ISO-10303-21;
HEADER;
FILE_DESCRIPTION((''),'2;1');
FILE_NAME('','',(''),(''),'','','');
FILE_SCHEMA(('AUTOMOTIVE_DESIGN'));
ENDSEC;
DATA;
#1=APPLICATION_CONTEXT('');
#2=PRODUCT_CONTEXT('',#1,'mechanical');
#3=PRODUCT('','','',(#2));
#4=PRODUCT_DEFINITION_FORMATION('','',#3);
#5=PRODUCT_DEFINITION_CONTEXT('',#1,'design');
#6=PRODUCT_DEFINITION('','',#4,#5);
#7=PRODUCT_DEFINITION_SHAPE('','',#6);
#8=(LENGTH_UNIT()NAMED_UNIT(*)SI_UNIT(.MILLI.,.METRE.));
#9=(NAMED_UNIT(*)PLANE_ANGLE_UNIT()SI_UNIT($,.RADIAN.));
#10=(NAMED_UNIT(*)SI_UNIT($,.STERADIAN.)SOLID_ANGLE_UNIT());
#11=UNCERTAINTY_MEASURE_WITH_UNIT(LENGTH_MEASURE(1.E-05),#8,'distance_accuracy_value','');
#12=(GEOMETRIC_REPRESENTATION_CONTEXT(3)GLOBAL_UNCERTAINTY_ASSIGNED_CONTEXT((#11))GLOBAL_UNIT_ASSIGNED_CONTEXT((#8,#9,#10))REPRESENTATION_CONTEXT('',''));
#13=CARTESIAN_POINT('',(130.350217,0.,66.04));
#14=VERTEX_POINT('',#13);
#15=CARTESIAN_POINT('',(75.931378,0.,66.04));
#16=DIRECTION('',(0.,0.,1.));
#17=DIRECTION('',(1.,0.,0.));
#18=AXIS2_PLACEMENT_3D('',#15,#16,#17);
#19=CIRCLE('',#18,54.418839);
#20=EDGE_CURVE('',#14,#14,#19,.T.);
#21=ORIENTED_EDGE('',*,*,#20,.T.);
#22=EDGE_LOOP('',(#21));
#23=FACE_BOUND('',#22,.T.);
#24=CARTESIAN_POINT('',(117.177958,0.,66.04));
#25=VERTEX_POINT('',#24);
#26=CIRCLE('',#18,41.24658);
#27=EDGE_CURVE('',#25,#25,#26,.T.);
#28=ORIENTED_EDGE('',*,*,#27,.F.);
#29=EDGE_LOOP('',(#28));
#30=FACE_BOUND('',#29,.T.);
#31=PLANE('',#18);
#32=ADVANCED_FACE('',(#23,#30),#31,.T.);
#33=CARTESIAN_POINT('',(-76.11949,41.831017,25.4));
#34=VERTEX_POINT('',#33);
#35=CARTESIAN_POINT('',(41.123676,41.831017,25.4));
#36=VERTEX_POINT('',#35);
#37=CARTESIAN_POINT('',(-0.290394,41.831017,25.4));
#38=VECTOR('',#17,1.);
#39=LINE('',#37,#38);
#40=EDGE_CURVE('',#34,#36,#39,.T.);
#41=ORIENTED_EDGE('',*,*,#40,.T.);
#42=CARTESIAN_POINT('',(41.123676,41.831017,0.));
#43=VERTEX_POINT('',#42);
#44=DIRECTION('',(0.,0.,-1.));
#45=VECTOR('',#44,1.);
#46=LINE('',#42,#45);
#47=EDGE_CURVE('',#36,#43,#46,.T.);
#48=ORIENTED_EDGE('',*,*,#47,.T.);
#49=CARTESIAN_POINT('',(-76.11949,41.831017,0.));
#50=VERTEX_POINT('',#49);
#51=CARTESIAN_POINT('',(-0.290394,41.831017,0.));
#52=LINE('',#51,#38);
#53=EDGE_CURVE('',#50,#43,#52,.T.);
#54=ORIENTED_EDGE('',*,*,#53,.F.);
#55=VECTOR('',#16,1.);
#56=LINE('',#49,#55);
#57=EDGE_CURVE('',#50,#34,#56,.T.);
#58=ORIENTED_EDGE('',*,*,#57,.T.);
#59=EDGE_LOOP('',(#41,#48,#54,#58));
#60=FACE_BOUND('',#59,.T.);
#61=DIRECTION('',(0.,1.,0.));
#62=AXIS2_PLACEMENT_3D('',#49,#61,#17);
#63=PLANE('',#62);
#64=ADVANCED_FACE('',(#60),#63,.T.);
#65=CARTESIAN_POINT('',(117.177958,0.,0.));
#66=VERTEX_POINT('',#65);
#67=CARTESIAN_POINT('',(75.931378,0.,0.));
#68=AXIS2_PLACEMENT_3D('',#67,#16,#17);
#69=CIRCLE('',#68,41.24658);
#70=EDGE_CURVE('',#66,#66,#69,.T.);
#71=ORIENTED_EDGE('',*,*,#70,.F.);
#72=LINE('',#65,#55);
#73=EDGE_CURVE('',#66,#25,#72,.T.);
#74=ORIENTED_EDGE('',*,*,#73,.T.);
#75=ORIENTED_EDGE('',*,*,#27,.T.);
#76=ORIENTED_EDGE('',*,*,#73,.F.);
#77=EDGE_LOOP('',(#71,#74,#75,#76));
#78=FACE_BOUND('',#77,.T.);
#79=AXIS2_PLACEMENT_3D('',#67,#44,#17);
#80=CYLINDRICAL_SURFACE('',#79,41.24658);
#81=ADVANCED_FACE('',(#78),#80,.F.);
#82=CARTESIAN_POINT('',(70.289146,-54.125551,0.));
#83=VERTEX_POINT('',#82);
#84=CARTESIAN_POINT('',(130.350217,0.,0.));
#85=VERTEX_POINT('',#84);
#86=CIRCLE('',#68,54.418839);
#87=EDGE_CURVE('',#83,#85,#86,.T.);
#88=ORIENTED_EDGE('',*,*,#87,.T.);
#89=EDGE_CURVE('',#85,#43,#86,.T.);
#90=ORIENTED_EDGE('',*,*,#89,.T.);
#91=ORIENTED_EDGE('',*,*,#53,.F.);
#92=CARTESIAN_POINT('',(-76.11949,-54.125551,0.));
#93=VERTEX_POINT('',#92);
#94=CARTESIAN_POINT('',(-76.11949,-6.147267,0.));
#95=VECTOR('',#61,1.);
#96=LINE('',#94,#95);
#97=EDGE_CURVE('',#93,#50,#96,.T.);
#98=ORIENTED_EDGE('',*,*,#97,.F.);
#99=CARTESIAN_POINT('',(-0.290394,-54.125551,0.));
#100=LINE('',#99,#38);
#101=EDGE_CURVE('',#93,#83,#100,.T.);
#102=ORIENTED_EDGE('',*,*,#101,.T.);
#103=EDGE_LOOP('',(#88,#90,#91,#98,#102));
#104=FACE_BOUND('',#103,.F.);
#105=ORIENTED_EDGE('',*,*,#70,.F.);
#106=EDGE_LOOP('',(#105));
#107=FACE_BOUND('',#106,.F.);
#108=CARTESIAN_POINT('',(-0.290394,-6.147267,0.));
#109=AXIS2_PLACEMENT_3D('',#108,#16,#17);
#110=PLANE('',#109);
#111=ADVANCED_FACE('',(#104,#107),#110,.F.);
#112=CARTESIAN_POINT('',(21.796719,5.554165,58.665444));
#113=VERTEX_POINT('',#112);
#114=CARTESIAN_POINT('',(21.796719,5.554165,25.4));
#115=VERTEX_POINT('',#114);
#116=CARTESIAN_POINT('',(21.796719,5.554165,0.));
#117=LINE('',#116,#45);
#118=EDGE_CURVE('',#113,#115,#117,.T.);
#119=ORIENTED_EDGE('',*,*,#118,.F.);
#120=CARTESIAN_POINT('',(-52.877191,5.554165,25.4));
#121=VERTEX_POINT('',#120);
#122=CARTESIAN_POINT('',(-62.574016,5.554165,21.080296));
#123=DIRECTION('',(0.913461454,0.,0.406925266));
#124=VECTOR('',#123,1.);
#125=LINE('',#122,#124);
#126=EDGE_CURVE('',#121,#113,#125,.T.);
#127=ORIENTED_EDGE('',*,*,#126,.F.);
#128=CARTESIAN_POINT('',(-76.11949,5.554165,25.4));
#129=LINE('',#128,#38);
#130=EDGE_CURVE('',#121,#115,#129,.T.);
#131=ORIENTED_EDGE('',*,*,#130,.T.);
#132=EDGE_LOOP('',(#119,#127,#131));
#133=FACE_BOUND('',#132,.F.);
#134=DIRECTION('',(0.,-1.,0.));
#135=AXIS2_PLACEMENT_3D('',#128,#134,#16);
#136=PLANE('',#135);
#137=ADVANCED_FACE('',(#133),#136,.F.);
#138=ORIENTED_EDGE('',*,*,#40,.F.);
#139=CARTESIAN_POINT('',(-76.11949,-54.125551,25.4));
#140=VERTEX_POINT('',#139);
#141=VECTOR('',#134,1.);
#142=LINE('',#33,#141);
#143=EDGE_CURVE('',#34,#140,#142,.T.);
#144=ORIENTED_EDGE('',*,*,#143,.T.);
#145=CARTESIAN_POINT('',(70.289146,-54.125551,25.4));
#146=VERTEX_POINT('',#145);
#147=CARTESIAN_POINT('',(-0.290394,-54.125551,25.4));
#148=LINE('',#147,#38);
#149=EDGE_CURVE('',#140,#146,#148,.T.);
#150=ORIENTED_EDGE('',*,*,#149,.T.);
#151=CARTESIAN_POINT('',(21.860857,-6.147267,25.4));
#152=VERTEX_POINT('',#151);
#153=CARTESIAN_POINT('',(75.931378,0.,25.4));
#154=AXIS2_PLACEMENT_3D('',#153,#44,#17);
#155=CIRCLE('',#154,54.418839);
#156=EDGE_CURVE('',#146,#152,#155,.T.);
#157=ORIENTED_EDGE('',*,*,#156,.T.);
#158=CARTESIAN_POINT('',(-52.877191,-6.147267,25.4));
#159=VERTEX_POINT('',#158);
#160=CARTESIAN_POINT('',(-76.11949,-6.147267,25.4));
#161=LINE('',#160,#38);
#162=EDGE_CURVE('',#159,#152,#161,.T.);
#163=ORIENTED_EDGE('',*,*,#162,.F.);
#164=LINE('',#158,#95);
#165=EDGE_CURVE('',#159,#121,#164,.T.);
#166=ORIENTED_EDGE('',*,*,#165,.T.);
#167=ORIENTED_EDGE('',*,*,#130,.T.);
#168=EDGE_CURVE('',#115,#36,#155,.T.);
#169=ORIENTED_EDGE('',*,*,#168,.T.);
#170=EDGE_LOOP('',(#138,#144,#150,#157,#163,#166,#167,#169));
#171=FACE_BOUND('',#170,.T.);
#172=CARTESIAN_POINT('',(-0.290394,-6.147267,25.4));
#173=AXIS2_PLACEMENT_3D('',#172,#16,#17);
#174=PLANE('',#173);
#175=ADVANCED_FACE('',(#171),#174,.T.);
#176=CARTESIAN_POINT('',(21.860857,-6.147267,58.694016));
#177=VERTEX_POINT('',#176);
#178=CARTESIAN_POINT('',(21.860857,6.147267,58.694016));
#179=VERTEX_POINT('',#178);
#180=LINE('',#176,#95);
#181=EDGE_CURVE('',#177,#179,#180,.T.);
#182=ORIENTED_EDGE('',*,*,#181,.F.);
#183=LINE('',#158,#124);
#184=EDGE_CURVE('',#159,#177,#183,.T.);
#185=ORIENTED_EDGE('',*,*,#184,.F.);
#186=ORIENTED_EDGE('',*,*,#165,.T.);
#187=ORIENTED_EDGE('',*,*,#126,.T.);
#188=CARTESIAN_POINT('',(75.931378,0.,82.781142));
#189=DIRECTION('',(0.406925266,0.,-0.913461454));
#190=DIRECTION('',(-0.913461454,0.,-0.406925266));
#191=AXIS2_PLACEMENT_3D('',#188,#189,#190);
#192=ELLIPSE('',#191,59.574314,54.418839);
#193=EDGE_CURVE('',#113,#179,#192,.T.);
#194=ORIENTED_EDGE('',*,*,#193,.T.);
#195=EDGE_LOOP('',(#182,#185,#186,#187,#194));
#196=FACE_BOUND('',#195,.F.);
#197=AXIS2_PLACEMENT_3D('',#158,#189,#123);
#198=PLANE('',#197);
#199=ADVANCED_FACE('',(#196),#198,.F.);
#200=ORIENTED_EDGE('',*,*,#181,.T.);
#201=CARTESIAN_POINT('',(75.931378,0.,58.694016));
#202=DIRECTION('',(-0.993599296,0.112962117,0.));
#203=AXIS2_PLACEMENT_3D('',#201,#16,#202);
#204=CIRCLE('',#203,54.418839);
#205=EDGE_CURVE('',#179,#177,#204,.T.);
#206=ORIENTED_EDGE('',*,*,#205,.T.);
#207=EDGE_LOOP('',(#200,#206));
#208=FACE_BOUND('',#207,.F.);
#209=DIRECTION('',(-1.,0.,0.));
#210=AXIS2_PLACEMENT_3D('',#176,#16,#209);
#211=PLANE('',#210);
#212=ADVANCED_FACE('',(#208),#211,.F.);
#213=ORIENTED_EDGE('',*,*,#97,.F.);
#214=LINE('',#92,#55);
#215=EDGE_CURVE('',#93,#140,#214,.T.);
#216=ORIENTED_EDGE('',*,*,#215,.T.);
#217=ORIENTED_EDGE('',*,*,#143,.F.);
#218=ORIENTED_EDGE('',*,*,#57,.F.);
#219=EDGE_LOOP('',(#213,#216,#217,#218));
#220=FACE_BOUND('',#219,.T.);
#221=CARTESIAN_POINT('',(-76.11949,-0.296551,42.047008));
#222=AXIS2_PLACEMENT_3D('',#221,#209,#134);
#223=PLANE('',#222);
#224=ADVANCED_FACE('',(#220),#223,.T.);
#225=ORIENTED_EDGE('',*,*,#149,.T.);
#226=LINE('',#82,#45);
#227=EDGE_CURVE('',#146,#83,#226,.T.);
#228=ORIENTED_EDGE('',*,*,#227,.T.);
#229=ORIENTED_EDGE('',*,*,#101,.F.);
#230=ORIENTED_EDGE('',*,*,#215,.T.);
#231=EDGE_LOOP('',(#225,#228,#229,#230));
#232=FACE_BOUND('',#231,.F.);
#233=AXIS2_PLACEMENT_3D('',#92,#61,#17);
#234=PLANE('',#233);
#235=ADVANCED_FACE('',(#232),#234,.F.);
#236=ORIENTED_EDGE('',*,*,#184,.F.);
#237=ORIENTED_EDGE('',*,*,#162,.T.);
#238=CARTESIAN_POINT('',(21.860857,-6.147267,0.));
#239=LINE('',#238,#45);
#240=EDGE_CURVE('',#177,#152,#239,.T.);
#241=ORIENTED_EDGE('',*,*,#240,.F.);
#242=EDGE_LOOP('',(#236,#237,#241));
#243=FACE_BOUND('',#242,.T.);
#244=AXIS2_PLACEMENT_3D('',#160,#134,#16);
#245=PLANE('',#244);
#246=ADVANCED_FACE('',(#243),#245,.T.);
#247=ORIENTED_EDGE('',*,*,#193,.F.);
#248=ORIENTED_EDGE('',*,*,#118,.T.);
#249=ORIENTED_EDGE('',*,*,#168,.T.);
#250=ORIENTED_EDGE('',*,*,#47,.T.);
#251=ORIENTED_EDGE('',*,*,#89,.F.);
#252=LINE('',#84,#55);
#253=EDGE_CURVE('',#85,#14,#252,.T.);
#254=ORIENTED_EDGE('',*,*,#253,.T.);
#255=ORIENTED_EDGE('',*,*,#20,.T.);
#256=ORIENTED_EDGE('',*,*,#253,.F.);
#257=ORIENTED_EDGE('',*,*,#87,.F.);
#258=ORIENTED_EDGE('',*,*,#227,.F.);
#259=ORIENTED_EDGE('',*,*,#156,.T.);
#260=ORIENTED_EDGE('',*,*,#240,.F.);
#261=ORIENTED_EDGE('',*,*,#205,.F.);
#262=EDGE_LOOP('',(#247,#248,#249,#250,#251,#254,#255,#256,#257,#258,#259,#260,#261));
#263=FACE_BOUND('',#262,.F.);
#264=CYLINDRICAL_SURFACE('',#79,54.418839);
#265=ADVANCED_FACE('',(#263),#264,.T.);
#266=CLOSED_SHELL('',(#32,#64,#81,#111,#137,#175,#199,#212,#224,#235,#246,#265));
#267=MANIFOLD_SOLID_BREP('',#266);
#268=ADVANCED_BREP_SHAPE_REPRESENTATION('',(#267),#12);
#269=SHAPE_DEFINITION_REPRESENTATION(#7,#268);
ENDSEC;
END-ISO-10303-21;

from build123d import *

# Parameters (mm, degrees)
F0_R     = 54.4188392039
F0_R_2   = 41.2465801868
F1_DEPTH = 66.04
F2_W     = 151.658192277
F2_H     = 95.9565676749
F3_DEPTH = 25.4
F4_DEPTH = 50.8
F5_W     = 11.7014325224
F5_H     = 33.2940161884
F6_DEPTH = 101.6
F8_DEPTH = 25.4


with BuildPart() as f1:
    # F0 (on Top) → F1 (new body)
    with BuildSketch(Plane.XY):
        with Locations((75.9313777089, 0)):
            Circle(F0_R)
        with Locations((75.9313777089, 0)):
            Circle(F0_R_2, mode=Mode.SUBTRACT)
    extrude(amount=F1_DEPTH)

    # F2 (on Top) → F3 (join)
    with BuildSketch(Plane.XY):
        with Locations((-0.2903938293, -6.1472672969)):
            Rectangle(F2_W, F2_H)
    extrude(amount=F3_DEPTH)

    # F4 (cut): a face of the model
    f4_faces = [f1.faces().sort_by_distance(p)[0] for p in [
        (58.2134002608, 0, 25.4),
    ]]
    extrude(f4_faces, amount=-F4_DEPTH, mode=Mode.SUBTRACT)

    # F5 (on face) → F6 (join)
    with BuildSketch(Plane(origin=(-76.1194899678, 0, 0), x_dir=(0, -1, 0), z_dir=(-1, 0, 0))):
        with Locations((0.2965510357, 42.0470080942)):
            Rectangle(F5_W, F5_H)
    extrude(amount=-F6_DEPTH)

    # F7 (on face) → F8 (cut)
    with BuildSketch(Plane.XZ.offset(6.1472672969)):
        Polygon((-76.1194899678, 25.4), (-52.8771914542, 25.4), (21.8608574129, 58.6940161884), (-76.1194899678, 58.6940161884), align=None)
    extrude(amount=-F8_DEPTH, mode=Mode.SUBTRACT)


solid = f1.part
